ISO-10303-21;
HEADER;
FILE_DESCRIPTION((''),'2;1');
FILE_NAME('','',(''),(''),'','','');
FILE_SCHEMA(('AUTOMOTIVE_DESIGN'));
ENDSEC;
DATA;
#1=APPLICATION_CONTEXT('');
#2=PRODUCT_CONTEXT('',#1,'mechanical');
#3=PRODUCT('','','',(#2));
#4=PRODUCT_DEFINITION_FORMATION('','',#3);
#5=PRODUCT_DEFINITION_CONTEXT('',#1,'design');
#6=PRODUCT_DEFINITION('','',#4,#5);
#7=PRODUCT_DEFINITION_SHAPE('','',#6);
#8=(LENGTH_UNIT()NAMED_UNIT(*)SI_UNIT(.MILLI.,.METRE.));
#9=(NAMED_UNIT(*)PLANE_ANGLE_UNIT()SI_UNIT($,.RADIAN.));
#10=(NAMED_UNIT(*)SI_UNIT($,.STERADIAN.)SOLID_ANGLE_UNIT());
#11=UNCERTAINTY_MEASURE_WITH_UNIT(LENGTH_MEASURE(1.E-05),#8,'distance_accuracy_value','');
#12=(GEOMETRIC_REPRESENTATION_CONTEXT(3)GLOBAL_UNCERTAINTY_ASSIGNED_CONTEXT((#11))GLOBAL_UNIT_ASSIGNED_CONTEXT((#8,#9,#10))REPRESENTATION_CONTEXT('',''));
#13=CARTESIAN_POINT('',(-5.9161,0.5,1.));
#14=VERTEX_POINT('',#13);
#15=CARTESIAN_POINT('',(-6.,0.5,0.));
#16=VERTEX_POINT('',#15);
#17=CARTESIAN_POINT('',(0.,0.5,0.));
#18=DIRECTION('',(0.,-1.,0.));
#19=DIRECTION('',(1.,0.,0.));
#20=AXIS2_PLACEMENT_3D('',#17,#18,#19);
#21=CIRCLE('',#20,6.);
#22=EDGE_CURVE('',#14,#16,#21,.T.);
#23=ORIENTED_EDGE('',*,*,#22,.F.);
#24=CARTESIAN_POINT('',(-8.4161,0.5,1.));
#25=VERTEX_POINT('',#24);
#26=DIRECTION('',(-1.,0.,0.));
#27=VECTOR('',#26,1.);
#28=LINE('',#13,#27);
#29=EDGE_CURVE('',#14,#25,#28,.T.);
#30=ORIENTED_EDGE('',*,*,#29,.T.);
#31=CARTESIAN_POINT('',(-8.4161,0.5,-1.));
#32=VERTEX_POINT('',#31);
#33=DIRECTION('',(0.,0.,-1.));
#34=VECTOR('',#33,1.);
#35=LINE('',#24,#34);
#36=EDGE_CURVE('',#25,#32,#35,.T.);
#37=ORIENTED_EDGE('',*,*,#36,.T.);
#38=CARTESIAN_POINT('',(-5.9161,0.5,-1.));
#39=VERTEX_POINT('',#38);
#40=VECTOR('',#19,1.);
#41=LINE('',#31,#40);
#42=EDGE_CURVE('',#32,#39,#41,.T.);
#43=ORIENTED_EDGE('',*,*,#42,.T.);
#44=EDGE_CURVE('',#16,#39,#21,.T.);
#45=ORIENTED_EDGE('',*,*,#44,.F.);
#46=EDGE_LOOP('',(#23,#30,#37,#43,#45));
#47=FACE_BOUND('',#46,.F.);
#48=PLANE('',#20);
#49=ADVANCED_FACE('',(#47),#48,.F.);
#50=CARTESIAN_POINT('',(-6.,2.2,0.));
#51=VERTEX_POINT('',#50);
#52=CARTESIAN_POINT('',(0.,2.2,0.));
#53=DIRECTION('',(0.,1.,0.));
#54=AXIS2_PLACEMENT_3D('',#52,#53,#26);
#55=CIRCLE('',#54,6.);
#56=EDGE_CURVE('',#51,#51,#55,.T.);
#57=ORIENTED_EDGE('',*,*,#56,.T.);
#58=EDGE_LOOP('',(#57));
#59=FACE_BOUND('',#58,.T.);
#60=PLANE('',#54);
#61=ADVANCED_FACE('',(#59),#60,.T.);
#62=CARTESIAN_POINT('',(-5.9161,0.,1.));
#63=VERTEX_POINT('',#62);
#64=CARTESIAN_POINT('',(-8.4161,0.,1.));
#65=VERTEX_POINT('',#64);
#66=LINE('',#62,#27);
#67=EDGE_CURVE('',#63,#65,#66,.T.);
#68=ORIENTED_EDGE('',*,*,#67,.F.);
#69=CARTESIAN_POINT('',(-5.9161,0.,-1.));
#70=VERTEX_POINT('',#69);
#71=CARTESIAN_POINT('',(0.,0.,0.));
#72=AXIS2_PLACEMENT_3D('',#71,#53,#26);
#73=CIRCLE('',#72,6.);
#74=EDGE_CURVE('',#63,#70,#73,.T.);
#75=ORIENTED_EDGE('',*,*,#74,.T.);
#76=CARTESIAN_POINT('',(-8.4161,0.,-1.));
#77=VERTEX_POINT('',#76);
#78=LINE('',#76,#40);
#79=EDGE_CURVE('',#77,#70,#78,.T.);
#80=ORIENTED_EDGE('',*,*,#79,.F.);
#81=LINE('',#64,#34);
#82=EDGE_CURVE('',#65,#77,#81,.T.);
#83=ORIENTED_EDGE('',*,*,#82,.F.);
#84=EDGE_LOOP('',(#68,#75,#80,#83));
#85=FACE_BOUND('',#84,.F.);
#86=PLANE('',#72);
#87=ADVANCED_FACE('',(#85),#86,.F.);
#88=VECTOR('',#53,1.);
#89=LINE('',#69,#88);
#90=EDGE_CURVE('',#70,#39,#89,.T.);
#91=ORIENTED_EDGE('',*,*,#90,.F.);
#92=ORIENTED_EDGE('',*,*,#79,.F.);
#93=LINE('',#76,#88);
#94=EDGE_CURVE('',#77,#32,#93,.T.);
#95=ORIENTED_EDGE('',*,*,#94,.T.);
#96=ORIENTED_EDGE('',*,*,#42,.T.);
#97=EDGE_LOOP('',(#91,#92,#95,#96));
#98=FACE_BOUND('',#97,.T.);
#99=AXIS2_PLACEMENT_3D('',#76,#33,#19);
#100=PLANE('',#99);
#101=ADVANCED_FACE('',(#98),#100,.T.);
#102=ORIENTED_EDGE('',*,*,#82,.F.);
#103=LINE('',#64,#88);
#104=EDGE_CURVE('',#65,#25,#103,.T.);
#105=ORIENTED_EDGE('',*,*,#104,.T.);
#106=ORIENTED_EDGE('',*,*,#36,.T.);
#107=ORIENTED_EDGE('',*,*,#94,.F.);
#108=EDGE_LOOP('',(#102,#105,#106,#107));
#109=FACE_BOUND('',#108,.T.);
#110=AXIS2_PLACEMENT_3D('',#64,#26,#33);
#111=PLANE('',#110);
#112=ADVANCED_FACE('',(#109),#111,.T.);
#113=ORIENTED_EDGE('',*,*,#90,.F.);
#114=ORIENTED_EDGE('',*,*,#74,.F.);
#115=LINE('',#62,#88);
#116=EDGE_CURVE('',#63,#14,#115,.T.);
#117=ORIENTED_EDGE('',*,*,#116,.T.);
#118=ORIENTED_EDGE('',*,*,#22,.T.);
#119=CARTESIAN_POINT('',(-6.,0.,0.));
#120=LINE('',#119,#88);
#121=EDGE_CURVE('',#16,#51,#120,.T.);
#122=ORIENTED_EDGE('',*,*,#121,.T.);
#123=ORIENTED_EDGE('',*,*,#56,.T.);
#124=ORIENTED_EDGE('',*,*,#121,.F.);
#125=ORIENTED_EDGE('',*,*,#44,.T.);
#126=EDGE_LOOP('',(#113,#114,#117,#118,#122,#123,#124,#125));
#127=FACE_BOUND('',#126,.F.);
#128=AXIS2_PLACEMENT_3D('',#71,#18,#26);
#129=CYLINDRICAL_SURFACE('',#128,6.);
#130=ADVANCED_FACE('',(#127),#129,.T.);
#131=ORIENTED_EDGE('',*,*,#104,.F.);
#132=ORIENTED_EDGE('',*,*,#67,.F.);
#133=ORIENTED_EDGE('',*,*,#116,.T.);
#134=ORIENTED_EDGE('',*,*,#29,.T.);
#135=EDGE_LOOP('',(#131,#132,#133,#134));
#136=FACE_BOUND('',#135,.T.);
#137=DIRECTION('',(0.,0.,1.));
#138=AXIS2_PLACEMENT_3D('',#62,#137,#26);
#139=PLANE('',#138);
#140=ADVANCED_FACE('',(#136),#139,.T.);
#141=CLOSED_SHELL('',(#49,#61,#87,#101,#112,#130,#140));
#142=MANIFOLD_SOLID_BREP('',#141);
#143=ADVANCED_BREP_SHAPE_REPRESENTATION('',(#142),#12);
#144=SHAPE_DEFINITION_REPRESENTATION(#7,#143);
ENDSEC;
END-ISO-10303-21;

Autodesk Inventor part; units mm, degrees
ref_plane "YZ Plane" through (0, 0, 0) normal (1, 0, 0) x (0, 1, 0)
ref_plane "XZ Plane" through (0, 0, 0) normal (0, 1, 0) x (-1, 0, 0)
ref_plane "XY Plane" through (0, 0, 0) normal (0, 0, 1) x (1, 0, 0)
sketch "スケッチ1" plane through (0, 0, 0) normal (0, 1, 0) x (-1, 0, 0)
  circle A0 centre (0, 0) radius 6
  dimension "d0" = 12
extrude "押し出し1" add sketch "スケッチ1" along normal blind 2.2
sketch "スケッチ2" plane through (0, 0, 0) normal (0, -1, 0) x (1, 0, 0)
  circle A0 centre (0, 0) radius 6 projected
  line L0 (-5.9161, 1) -> (-8.4161, 1)
  line L1 (-8.4161, 1) -> (-8.4161, -1)
  line L2 (-8.4161, -1) -> (-5.9161, -1)
  line L3 (-5.9161, -1) -> (-5.9161, 1)
  circle A1 centre (0, 0) radius 6 projected
  dimension "d3" = 2
  dimension "d4" = 2.5
extrude "押し出し2" add sketch "スケッチ2" against normal blind 0.5 contours L3 A0 | A0 L2 L1 L0 picked at (-5.941, 0.1116)
properties part number "motor"
